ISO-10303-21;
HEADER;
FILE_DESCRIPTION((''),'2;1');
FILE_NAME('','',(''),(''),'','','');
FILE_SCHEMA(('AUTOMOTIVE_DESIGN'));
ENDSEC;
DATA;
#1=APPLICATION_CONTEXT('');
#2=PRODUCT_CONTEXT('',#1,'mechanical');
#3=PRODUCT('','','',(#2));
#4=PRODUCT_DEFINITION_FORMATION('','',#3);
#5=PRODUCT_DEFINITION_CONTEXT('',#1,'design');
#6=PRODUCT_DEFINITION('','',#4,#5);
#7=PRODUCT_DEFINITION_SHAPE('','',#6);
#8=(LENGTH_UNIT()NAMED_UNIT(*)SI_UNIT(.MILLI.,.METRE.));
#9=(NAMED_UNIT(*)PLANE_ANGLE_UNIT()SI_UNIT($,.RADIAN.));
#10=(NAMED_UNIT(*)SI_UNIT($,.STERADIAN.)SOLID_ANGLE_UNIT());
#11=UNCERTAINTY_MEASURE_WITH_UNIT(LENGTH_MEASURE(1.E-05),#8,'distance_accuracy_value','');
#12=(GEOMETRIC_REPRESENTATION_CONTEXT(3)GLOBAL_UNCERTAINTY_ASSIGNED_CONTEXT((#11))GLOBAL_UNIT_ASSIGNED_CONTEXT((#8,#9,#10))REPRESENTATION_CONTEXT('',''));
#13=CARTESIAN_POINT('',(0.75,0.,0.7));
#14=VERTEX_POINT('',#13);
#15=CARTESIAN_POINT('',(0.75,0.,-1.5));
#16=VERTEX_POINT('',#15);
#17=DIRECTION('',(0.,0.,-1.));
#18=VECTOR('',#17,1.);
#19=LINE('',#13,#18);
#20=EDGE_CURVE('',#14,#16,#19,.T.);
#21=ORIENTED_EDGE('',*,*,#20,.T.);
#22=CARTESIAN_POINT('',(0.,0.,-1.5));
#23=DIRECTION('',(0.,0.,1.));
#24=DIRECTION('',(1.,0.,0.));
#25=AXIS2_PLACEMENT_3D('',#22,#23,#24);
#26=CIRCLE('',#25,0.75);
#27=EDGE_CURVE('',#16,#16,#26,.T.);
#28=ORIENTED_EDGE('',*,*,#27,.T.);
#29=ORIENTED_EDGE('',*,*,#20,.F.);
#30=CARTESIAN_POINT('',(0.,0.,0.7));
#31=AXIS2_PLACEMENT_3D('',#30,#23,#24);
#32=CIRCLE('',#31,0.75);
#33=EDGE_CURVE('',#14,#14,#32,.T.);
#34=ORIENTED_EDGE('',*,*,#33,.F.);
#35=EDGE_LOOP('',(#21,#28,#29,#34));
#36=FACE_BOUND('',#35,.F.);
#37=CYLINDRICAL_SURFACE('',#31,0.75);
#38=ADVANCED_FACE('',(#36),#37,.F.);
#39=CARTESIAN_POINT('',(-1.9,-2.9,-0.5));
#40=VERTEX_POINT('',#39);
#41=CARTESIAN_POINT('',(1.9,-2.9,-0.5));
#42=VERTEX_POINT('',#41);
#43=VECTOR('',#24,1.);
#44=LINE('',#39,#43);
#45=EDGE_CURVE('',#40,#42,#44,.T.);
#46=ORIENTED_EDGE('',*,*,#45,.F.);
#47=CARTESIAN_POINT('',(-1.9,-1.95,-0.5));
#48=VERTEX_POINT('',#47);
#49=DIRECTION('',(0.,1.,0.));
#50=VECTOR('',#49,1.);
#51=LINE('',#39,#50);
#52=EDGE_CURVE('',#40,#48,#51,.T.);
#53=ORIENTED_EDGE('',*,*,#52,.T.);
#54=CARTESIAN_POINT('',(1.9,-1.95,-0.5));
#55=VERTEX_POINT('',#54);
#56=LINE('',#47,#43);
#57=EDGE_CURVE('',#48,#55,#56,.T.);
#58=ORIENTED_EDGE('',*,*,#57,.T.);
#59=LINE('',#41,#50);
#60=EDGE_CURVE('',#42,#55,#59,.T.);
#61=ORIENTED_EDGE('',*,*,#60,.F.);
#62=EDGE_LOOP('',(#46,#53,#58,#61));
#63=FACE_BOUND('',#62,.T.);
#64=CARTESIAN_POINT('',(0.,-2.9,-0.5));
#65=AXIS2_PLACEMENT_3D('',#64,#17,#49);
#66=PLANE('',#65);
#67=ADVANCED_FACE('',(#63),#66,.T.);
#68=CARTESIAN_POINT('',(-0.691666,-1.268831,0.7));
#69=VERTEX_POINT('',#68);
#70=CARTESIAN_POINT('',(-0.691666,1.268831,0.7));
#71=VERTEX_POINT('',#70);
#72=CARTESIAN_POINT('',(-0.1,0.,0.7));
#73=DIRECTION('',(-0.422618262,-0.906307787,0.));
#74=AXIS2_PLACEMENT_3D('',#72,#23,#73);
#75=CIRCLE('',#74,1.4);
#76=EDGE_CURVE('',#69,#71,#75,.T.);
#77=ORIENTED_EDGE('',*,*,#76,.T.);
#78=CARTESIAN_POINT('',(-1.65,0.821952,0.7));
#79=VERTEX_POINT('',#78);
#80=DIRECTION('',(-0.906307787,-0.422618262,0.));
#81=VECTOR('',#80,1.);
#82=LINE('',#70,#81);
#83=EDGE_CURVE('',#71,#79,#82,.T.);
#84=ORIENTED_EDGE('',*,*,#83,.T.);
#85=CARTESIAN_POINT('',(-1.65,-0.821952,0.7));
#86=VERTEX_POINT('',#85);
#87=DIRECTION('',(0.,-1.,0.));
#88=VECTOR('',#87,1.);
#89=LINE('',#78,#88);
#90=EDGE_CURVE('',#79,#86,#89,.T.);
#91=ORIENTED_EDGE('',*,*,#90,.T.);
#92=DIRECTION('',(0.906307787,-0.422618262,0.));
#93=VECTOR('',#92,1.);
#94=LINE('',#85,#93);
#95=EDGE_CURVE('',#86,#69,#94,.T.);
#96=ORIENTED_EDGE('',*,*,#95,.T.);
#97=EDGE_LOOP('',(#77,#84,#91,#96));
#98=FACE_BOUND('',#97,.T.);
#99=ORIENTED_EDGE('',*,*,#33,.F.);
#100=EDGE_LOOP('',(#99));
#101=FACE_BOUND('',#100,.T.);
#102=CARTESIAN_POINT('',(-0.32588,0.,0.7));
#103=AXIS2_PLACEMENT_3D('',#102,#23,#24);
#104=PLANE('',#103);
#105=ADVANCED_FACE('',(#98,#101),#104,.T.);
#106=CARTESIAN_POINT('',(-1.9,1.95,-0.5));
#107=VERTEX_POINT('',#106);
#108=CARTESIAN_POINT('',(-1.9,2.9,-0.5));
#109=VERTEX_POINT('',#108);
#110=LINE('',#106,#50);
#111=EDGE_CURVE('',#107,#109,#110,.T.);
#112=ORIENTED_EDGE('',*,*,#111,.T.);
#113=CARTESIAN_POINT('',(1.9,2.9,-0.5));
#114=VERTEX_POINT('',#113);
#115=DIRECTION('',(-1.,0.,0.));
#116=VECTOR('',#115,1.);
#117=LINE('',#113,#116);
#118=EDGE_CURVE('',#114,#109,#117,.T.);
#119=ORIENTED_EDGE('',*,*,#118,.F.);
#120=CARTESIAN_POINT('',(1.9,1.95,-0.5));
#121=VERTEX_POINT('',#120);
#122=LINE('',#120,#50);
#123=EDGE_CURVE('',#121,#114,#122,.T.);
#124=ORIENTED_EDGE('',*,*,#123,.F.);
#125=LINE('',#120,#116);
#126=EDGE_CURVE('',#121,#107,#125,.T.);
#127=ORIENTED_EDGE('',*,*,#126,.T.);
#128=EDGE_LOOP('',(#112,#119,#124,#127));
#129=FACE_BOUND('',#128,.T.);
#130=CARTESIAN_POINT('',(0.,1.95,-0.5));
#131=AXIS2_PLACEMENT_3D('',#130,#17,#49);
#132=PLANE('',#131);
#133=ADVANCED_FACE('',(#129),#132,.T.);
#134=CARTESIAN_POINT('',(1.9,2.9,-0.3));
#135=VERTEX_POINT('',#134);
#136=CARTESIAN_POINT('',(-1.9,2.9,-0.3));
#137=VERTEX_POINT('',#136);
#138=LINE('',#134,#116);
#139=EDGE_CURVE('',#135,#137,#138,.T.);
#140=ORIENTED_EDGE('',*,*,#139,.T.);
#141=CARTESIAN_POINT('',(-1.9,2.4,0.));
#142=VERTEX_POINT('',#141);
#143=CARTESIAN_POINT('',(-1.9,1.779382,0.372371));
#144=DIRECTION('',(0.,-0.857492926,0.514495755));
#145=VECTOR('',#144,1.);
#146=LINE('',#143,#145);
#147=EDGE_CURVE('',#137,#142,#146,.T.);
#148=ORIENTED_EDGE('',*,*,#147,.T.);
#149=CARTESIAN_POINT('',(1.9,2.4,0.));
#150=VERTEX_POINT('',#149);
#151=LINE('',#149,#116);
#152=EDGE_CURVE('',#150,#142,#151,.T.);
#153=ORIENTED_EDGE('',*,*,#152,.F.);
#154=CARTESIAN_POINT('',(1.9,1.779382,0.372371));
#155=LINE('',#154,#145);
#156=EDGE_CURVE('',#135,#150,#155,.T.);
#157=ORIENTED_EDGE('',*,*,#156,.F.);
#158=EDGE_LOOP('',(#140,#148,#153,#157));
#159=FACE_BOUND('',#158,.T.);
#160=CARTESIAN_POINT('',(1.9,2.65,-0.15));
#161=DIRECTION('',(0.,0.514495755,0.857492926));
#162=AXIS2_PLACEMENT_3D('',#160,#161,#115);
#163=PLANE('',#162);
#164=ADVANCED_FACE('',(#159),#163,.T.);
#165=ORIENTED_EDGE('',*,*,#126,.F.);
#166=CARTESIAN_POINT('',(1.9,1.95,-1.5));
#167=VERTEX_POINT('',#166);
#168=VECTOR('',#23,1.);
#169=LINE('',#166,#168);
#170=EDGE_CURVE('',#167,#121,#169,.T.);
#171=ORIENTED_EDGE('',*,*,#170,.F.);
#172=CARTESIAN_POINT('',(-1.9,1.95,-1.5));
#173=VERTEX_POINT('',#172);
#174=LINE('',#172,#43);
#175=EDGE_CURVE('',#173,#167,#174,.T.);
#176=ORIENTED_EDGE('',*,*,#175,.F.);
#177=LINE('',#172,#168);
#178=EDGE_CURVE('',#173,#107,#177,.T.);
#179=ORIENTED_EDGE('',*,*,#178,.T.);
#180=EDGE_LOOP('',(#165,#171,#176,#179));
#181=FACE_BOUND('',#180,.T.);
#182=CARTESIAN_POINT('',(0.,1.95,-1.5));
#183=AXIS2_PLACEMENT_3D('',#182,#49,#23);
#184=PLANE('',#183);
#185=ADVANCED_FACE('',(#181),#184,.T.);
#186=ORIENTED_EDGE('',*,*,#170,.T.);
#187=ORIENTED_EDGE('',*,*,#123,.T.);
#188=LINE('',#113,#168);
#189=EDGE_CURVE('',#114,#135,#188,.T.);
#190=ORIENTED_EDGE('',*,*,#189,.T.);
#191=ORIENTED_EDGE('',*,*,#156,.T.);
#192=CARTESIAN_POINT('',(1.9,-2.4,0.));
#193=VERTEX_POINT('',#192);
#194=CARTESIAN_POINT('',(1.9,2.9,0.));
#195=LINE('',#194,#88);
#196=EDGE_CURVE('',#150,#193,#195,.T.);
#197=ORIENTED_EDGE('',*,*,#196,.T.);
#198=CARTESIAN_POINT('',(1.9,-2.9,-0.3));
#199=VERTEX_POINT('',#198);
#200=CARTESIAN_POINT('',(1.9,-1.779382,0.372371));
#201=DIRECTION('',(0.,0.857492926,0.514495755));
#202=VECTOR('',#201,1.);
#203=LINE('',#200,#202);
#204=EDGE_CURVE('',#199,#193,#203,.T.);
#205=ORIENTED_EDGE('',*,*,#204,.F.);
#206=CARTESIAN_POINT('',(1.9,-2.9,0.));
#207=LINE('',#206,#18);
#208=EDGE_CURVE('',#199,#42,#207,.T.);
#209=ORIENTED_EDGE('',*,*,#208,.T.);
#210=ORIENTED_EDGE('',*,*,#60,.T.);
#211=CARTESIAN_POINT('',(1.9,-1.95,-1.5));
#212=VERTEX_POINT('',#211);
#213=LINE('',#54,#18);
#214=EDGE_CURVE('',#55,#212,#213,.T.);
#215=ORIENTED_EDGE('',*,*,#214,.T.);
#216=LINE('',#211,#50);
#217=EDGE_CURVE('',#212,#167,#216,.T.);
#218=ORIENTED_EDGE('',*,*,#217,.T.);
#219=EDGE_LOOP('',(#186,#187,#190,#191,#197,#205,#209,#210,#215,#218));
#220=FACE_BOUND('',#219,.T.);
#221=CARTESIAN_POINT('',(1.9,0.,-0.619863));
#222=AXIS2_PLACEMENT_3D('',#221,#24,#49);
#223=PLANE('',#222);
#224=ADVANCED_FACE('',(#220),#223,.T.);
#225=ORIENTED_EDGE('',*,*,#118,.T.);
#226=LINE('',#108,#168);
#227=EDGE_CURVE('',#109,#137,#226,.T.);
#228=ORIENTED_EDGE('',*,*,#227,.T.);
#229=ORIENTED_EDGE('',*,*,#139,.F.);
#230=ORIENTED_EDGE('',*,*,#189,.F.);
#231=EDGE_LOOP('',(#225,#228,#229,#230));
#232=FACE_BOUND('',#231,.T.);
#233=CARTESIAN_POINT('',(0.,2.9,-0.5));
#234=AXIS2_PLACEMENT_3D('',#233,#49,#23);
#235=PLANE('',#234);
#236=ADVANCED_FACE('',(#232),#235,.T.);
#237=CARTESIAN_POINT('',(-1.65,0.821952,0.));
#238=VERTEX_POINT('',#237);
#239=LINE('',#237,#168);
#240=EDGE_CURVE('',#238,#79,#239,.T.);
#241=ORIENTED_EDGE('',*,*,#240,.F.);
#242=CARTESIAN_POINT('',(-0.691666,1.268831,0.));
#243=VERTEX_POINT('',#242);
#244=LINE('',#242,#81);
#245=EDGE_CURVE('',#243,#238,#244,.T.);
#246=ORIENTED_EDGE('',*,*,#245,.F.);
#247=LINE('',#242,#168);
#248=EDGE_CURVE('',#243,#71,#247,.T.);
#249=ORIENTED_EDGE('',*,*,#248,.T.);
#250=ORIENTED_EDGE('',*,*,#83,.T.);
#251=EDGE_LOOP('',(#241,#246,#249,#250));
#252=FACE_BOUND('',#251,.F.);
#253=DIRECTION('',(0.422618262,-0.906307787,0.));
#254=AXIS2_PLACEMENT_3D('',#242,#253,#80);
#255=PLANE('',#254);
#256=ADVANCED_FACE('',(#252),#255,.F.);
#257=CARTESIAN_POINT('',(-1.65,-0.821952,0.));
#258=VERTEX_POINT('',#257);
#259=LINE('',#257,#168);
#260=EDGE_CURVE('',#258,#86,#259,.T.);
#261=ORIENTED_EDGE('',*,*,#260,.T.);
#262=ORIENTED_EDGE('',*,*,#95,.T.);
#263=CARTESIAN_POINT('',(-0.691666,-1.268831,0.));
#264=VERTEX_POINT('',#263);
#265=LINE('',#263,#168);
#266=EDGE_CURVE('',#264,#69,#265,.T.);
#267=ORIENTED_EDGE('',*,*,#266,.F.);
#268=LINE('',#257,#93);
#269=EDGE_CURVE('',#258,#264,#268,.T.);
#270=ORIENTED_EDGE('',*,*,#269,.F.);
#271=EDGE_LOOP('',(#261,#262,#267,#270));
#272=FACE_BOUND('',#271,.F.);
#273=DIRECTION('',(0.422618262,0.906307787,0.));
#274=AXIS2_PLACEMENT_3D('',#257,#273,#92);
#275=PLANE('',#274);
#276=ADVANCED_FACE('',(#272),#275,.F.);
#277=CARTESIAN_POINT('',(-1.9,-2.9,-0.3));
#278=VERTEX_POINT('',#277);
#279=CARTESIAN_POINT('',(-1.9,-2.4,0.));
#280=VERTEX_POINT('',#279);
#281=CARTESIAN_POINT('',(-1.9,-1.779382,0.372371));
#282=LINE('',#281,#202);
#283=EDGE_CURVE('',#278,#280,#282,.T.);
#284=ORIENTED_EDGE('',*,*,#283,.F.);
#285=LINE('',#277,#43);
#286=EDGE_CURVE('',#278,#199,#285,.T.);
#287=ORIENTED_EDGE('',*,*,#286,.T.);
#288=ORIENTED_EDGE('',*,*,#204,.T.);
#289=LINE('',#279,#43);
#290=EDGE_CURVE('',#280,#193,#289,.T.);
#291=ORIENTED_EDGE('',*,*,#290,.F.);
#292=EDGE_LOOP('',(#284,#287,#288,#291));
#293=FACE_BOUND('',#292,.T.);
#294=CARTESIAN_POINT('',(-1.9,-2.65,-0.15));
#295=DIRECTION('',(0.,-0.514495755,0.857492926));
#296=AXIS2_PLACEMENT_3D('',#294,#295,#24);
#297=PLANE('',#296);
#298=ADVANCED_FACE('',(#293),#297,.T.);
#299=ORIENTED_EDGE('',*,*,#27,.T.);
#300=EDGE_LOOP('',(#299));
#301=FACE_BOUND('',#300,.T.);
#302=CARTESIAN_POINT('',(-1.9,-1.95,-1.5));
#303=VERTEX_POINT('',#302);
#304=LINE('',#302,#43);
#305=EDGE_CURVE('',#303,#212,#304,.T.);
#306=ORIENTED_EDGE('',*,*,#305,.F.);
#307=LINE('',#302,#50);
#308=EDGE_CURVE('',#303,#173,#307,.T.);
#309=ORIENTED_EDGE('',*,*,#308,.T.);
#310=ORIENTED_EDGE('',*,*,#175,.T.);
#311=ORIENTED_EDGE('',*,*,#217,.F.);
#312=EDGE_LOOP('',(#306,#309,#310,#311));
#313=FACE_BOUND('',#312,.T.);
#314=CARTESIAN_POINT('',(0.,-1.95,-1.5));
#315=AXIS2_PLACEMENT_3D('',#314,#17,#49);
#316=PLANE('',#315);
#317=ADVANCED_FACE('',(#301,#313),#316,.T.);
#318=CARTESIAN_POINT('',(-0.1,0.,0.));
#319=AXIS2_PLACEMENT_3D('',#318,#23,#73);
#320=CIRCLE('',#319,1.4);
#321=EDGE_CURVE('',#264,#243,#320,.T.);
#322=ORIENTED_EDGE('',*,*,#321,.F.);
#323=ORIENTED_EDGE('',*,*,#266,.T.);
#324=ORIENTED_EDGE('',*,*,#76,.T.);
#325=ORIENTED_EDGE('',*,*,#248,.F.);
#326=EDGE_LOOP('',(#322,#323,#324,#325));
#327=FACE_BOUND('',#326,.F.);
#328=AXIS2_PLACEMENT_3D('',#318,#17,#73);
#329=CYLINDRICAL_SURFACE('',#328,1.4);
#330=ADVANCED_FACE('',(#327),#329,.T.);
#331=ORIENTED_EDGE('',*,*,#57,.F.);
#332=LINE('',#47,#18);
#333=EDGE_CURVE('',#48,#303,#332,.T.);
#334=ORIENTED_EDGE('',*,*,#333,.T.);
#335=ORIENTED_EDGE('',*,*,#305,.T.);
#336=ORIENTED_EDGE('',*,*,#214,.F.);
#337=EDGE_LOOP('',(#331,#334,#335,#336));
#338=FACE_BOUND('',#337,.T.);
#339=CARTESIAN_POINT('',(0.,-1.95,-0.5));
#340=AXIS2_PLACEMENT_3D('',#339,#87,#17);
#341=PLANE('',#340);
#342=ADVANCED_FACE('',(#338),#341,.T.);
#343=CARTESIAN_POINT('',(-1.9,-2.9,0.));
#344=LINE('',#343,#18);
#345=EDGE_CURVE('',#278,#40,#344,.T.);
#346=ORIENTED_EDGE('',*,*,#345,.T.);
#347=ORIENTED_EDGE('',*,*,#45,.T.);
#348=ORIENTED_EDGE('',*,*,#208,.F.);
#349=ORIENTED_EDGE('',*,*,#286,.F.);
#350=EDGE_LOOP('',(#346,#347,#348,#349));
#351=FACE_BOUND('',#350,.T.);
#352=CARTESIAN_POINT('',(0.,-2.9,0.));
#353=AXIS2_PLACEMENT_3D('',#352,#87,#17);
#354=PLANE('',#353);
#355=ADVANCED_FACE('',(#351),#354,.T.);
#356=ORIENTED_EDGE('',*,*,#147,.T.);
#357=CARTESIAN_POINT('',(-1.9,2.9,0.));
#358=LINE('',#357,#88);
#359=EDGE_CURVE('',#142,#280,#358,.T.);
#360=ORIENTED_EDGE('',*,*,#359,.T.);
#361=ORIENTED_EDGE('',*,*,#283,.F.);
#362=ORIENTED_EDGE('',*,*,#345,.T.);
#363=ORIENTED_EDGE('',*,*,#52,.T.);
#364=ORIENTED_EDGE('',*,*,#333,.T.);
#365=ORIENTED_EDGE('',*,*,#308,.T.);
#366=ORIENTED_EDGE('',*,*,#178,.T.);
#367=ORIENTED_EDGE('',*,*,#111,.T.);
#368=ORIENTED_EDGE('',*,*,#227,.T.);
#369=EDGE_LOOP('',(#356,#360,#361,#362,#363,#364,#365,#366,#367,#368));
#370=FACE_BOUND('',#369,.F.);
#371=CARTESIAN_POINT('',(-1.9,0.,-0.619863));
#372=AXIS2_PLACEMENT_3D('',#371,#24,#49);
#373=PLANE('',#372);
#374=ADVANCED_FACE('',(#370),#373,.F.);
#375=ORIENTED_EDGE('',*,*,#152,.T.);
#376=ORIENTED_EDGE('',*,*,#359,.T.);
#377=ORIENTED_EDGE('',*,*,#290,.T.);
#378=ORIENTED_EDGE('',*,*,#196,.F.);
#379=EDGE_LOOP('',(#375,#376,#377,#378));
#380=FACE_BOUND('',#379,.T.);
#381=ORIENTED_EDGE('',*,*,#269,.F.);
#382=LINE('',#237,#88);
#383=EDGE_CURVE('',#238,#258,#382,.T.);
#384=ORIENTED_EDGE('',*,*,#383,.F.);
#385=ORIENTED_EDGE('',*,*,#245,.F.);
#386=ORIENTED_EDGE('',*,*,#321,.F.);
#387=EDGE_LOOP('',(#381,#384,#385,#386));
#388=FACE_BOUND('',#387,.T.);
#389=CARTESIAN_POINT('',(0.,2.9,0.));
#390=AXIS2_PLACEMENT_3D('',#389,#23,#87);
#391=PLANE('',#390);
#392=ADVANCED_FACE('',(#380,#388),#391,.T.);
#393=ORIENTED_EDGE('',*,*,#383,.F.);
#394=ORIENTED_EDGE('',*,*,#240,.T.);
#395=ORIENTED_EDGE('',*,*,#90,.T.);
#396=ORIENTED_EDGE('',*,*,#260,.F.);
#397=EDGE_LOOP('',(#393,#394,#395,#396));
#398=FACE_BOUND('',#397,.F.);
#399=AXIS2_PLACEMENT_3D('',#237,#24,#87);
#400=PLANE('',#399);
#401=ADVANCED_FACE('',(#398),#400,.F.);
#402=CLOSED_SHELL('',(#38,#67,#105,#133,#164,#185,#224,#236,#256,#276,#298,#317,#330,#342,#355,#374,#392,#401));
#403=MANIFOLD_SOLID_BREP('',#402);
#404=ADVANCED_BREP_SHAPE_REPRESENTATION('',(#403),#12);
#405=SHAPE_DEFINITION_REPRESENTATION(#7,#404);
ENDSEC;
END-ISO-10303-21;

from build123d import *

# Parameters (mm, degrees)
F1_DEPTH = 1.9
F2_SIZE2 = 0.5
F2_SIZE  = 0.3
F3_SIZE2 = 0.5
F3_SIZE  = 0.3
F5_DEPTH = 0.7
F6_R     = 0.75
F7_DEPTH = 2.2


with BuildPart() as f1:
    # F0 (on Right) → F1 (new body, symmetric)
    with BuildSketch(Plane.YZ):
        Polygon((2.9, 0), (-2.9, 0), (-2.9, -0.5), (-1.95, -0.5), (-1.95, -1.5), (1.95, -1.5), (1.95, -0.5), (2.9, -0.5), align=None)
    extrude(amount=F1_DEPTH, both=True)

    # F2
    f2_edges = [f1.edges().sort_by_distance(p)[0] for p in [
        (0, 2.9, 0),
    ]]
    f2_side = f1.faces().sort_by_distance((0, 2.9, -0.25))[0]
    chamfer(f2_edges, length=F2_SIZE, length2=F2_SIZE2, reference=f2_side)

    # F3
    f3_edges = [f1.edges().sort_by_distance(p)[0] for p in [
        (0, -2.9, 0),
    ]]
    f3_side = f1.faces().sort_by_distance((0, -2.9, -0.25))[0]
    chamfer(f3_edges, length=F3_SIZE, length2=F3_SIZE2, reference=f3_side)

    # F4 (on face) → F5 (join)
    with BuildSketch(Plane.XY):
        with BuildLine():
            Line((-1.65, -0.8219522164), (-0.6916655664, -1.2688309019))
            ThreePointArc((-0.6916655664, -1.2688309019), (1.3, 0), (-0.6916655664, 1.2688309019))
            Line((-0.6916655664, 1.2688309019), (-1.65, 0.8219522164))
            Line((-1.65, 0.8219522164), (-1.65, -0.8219522164))
        make_face()
    extrude(amount=F5_DEPTH)

    # F6 (on face) → F7 (cut, through all)
    with BuildSketch(Plane.XY.offset(0.7)):
        Circle(F6_R)
    extrude(amount=-F7_DEPTH, mode=Mode.SUBTRACT)


solid = f1.part
